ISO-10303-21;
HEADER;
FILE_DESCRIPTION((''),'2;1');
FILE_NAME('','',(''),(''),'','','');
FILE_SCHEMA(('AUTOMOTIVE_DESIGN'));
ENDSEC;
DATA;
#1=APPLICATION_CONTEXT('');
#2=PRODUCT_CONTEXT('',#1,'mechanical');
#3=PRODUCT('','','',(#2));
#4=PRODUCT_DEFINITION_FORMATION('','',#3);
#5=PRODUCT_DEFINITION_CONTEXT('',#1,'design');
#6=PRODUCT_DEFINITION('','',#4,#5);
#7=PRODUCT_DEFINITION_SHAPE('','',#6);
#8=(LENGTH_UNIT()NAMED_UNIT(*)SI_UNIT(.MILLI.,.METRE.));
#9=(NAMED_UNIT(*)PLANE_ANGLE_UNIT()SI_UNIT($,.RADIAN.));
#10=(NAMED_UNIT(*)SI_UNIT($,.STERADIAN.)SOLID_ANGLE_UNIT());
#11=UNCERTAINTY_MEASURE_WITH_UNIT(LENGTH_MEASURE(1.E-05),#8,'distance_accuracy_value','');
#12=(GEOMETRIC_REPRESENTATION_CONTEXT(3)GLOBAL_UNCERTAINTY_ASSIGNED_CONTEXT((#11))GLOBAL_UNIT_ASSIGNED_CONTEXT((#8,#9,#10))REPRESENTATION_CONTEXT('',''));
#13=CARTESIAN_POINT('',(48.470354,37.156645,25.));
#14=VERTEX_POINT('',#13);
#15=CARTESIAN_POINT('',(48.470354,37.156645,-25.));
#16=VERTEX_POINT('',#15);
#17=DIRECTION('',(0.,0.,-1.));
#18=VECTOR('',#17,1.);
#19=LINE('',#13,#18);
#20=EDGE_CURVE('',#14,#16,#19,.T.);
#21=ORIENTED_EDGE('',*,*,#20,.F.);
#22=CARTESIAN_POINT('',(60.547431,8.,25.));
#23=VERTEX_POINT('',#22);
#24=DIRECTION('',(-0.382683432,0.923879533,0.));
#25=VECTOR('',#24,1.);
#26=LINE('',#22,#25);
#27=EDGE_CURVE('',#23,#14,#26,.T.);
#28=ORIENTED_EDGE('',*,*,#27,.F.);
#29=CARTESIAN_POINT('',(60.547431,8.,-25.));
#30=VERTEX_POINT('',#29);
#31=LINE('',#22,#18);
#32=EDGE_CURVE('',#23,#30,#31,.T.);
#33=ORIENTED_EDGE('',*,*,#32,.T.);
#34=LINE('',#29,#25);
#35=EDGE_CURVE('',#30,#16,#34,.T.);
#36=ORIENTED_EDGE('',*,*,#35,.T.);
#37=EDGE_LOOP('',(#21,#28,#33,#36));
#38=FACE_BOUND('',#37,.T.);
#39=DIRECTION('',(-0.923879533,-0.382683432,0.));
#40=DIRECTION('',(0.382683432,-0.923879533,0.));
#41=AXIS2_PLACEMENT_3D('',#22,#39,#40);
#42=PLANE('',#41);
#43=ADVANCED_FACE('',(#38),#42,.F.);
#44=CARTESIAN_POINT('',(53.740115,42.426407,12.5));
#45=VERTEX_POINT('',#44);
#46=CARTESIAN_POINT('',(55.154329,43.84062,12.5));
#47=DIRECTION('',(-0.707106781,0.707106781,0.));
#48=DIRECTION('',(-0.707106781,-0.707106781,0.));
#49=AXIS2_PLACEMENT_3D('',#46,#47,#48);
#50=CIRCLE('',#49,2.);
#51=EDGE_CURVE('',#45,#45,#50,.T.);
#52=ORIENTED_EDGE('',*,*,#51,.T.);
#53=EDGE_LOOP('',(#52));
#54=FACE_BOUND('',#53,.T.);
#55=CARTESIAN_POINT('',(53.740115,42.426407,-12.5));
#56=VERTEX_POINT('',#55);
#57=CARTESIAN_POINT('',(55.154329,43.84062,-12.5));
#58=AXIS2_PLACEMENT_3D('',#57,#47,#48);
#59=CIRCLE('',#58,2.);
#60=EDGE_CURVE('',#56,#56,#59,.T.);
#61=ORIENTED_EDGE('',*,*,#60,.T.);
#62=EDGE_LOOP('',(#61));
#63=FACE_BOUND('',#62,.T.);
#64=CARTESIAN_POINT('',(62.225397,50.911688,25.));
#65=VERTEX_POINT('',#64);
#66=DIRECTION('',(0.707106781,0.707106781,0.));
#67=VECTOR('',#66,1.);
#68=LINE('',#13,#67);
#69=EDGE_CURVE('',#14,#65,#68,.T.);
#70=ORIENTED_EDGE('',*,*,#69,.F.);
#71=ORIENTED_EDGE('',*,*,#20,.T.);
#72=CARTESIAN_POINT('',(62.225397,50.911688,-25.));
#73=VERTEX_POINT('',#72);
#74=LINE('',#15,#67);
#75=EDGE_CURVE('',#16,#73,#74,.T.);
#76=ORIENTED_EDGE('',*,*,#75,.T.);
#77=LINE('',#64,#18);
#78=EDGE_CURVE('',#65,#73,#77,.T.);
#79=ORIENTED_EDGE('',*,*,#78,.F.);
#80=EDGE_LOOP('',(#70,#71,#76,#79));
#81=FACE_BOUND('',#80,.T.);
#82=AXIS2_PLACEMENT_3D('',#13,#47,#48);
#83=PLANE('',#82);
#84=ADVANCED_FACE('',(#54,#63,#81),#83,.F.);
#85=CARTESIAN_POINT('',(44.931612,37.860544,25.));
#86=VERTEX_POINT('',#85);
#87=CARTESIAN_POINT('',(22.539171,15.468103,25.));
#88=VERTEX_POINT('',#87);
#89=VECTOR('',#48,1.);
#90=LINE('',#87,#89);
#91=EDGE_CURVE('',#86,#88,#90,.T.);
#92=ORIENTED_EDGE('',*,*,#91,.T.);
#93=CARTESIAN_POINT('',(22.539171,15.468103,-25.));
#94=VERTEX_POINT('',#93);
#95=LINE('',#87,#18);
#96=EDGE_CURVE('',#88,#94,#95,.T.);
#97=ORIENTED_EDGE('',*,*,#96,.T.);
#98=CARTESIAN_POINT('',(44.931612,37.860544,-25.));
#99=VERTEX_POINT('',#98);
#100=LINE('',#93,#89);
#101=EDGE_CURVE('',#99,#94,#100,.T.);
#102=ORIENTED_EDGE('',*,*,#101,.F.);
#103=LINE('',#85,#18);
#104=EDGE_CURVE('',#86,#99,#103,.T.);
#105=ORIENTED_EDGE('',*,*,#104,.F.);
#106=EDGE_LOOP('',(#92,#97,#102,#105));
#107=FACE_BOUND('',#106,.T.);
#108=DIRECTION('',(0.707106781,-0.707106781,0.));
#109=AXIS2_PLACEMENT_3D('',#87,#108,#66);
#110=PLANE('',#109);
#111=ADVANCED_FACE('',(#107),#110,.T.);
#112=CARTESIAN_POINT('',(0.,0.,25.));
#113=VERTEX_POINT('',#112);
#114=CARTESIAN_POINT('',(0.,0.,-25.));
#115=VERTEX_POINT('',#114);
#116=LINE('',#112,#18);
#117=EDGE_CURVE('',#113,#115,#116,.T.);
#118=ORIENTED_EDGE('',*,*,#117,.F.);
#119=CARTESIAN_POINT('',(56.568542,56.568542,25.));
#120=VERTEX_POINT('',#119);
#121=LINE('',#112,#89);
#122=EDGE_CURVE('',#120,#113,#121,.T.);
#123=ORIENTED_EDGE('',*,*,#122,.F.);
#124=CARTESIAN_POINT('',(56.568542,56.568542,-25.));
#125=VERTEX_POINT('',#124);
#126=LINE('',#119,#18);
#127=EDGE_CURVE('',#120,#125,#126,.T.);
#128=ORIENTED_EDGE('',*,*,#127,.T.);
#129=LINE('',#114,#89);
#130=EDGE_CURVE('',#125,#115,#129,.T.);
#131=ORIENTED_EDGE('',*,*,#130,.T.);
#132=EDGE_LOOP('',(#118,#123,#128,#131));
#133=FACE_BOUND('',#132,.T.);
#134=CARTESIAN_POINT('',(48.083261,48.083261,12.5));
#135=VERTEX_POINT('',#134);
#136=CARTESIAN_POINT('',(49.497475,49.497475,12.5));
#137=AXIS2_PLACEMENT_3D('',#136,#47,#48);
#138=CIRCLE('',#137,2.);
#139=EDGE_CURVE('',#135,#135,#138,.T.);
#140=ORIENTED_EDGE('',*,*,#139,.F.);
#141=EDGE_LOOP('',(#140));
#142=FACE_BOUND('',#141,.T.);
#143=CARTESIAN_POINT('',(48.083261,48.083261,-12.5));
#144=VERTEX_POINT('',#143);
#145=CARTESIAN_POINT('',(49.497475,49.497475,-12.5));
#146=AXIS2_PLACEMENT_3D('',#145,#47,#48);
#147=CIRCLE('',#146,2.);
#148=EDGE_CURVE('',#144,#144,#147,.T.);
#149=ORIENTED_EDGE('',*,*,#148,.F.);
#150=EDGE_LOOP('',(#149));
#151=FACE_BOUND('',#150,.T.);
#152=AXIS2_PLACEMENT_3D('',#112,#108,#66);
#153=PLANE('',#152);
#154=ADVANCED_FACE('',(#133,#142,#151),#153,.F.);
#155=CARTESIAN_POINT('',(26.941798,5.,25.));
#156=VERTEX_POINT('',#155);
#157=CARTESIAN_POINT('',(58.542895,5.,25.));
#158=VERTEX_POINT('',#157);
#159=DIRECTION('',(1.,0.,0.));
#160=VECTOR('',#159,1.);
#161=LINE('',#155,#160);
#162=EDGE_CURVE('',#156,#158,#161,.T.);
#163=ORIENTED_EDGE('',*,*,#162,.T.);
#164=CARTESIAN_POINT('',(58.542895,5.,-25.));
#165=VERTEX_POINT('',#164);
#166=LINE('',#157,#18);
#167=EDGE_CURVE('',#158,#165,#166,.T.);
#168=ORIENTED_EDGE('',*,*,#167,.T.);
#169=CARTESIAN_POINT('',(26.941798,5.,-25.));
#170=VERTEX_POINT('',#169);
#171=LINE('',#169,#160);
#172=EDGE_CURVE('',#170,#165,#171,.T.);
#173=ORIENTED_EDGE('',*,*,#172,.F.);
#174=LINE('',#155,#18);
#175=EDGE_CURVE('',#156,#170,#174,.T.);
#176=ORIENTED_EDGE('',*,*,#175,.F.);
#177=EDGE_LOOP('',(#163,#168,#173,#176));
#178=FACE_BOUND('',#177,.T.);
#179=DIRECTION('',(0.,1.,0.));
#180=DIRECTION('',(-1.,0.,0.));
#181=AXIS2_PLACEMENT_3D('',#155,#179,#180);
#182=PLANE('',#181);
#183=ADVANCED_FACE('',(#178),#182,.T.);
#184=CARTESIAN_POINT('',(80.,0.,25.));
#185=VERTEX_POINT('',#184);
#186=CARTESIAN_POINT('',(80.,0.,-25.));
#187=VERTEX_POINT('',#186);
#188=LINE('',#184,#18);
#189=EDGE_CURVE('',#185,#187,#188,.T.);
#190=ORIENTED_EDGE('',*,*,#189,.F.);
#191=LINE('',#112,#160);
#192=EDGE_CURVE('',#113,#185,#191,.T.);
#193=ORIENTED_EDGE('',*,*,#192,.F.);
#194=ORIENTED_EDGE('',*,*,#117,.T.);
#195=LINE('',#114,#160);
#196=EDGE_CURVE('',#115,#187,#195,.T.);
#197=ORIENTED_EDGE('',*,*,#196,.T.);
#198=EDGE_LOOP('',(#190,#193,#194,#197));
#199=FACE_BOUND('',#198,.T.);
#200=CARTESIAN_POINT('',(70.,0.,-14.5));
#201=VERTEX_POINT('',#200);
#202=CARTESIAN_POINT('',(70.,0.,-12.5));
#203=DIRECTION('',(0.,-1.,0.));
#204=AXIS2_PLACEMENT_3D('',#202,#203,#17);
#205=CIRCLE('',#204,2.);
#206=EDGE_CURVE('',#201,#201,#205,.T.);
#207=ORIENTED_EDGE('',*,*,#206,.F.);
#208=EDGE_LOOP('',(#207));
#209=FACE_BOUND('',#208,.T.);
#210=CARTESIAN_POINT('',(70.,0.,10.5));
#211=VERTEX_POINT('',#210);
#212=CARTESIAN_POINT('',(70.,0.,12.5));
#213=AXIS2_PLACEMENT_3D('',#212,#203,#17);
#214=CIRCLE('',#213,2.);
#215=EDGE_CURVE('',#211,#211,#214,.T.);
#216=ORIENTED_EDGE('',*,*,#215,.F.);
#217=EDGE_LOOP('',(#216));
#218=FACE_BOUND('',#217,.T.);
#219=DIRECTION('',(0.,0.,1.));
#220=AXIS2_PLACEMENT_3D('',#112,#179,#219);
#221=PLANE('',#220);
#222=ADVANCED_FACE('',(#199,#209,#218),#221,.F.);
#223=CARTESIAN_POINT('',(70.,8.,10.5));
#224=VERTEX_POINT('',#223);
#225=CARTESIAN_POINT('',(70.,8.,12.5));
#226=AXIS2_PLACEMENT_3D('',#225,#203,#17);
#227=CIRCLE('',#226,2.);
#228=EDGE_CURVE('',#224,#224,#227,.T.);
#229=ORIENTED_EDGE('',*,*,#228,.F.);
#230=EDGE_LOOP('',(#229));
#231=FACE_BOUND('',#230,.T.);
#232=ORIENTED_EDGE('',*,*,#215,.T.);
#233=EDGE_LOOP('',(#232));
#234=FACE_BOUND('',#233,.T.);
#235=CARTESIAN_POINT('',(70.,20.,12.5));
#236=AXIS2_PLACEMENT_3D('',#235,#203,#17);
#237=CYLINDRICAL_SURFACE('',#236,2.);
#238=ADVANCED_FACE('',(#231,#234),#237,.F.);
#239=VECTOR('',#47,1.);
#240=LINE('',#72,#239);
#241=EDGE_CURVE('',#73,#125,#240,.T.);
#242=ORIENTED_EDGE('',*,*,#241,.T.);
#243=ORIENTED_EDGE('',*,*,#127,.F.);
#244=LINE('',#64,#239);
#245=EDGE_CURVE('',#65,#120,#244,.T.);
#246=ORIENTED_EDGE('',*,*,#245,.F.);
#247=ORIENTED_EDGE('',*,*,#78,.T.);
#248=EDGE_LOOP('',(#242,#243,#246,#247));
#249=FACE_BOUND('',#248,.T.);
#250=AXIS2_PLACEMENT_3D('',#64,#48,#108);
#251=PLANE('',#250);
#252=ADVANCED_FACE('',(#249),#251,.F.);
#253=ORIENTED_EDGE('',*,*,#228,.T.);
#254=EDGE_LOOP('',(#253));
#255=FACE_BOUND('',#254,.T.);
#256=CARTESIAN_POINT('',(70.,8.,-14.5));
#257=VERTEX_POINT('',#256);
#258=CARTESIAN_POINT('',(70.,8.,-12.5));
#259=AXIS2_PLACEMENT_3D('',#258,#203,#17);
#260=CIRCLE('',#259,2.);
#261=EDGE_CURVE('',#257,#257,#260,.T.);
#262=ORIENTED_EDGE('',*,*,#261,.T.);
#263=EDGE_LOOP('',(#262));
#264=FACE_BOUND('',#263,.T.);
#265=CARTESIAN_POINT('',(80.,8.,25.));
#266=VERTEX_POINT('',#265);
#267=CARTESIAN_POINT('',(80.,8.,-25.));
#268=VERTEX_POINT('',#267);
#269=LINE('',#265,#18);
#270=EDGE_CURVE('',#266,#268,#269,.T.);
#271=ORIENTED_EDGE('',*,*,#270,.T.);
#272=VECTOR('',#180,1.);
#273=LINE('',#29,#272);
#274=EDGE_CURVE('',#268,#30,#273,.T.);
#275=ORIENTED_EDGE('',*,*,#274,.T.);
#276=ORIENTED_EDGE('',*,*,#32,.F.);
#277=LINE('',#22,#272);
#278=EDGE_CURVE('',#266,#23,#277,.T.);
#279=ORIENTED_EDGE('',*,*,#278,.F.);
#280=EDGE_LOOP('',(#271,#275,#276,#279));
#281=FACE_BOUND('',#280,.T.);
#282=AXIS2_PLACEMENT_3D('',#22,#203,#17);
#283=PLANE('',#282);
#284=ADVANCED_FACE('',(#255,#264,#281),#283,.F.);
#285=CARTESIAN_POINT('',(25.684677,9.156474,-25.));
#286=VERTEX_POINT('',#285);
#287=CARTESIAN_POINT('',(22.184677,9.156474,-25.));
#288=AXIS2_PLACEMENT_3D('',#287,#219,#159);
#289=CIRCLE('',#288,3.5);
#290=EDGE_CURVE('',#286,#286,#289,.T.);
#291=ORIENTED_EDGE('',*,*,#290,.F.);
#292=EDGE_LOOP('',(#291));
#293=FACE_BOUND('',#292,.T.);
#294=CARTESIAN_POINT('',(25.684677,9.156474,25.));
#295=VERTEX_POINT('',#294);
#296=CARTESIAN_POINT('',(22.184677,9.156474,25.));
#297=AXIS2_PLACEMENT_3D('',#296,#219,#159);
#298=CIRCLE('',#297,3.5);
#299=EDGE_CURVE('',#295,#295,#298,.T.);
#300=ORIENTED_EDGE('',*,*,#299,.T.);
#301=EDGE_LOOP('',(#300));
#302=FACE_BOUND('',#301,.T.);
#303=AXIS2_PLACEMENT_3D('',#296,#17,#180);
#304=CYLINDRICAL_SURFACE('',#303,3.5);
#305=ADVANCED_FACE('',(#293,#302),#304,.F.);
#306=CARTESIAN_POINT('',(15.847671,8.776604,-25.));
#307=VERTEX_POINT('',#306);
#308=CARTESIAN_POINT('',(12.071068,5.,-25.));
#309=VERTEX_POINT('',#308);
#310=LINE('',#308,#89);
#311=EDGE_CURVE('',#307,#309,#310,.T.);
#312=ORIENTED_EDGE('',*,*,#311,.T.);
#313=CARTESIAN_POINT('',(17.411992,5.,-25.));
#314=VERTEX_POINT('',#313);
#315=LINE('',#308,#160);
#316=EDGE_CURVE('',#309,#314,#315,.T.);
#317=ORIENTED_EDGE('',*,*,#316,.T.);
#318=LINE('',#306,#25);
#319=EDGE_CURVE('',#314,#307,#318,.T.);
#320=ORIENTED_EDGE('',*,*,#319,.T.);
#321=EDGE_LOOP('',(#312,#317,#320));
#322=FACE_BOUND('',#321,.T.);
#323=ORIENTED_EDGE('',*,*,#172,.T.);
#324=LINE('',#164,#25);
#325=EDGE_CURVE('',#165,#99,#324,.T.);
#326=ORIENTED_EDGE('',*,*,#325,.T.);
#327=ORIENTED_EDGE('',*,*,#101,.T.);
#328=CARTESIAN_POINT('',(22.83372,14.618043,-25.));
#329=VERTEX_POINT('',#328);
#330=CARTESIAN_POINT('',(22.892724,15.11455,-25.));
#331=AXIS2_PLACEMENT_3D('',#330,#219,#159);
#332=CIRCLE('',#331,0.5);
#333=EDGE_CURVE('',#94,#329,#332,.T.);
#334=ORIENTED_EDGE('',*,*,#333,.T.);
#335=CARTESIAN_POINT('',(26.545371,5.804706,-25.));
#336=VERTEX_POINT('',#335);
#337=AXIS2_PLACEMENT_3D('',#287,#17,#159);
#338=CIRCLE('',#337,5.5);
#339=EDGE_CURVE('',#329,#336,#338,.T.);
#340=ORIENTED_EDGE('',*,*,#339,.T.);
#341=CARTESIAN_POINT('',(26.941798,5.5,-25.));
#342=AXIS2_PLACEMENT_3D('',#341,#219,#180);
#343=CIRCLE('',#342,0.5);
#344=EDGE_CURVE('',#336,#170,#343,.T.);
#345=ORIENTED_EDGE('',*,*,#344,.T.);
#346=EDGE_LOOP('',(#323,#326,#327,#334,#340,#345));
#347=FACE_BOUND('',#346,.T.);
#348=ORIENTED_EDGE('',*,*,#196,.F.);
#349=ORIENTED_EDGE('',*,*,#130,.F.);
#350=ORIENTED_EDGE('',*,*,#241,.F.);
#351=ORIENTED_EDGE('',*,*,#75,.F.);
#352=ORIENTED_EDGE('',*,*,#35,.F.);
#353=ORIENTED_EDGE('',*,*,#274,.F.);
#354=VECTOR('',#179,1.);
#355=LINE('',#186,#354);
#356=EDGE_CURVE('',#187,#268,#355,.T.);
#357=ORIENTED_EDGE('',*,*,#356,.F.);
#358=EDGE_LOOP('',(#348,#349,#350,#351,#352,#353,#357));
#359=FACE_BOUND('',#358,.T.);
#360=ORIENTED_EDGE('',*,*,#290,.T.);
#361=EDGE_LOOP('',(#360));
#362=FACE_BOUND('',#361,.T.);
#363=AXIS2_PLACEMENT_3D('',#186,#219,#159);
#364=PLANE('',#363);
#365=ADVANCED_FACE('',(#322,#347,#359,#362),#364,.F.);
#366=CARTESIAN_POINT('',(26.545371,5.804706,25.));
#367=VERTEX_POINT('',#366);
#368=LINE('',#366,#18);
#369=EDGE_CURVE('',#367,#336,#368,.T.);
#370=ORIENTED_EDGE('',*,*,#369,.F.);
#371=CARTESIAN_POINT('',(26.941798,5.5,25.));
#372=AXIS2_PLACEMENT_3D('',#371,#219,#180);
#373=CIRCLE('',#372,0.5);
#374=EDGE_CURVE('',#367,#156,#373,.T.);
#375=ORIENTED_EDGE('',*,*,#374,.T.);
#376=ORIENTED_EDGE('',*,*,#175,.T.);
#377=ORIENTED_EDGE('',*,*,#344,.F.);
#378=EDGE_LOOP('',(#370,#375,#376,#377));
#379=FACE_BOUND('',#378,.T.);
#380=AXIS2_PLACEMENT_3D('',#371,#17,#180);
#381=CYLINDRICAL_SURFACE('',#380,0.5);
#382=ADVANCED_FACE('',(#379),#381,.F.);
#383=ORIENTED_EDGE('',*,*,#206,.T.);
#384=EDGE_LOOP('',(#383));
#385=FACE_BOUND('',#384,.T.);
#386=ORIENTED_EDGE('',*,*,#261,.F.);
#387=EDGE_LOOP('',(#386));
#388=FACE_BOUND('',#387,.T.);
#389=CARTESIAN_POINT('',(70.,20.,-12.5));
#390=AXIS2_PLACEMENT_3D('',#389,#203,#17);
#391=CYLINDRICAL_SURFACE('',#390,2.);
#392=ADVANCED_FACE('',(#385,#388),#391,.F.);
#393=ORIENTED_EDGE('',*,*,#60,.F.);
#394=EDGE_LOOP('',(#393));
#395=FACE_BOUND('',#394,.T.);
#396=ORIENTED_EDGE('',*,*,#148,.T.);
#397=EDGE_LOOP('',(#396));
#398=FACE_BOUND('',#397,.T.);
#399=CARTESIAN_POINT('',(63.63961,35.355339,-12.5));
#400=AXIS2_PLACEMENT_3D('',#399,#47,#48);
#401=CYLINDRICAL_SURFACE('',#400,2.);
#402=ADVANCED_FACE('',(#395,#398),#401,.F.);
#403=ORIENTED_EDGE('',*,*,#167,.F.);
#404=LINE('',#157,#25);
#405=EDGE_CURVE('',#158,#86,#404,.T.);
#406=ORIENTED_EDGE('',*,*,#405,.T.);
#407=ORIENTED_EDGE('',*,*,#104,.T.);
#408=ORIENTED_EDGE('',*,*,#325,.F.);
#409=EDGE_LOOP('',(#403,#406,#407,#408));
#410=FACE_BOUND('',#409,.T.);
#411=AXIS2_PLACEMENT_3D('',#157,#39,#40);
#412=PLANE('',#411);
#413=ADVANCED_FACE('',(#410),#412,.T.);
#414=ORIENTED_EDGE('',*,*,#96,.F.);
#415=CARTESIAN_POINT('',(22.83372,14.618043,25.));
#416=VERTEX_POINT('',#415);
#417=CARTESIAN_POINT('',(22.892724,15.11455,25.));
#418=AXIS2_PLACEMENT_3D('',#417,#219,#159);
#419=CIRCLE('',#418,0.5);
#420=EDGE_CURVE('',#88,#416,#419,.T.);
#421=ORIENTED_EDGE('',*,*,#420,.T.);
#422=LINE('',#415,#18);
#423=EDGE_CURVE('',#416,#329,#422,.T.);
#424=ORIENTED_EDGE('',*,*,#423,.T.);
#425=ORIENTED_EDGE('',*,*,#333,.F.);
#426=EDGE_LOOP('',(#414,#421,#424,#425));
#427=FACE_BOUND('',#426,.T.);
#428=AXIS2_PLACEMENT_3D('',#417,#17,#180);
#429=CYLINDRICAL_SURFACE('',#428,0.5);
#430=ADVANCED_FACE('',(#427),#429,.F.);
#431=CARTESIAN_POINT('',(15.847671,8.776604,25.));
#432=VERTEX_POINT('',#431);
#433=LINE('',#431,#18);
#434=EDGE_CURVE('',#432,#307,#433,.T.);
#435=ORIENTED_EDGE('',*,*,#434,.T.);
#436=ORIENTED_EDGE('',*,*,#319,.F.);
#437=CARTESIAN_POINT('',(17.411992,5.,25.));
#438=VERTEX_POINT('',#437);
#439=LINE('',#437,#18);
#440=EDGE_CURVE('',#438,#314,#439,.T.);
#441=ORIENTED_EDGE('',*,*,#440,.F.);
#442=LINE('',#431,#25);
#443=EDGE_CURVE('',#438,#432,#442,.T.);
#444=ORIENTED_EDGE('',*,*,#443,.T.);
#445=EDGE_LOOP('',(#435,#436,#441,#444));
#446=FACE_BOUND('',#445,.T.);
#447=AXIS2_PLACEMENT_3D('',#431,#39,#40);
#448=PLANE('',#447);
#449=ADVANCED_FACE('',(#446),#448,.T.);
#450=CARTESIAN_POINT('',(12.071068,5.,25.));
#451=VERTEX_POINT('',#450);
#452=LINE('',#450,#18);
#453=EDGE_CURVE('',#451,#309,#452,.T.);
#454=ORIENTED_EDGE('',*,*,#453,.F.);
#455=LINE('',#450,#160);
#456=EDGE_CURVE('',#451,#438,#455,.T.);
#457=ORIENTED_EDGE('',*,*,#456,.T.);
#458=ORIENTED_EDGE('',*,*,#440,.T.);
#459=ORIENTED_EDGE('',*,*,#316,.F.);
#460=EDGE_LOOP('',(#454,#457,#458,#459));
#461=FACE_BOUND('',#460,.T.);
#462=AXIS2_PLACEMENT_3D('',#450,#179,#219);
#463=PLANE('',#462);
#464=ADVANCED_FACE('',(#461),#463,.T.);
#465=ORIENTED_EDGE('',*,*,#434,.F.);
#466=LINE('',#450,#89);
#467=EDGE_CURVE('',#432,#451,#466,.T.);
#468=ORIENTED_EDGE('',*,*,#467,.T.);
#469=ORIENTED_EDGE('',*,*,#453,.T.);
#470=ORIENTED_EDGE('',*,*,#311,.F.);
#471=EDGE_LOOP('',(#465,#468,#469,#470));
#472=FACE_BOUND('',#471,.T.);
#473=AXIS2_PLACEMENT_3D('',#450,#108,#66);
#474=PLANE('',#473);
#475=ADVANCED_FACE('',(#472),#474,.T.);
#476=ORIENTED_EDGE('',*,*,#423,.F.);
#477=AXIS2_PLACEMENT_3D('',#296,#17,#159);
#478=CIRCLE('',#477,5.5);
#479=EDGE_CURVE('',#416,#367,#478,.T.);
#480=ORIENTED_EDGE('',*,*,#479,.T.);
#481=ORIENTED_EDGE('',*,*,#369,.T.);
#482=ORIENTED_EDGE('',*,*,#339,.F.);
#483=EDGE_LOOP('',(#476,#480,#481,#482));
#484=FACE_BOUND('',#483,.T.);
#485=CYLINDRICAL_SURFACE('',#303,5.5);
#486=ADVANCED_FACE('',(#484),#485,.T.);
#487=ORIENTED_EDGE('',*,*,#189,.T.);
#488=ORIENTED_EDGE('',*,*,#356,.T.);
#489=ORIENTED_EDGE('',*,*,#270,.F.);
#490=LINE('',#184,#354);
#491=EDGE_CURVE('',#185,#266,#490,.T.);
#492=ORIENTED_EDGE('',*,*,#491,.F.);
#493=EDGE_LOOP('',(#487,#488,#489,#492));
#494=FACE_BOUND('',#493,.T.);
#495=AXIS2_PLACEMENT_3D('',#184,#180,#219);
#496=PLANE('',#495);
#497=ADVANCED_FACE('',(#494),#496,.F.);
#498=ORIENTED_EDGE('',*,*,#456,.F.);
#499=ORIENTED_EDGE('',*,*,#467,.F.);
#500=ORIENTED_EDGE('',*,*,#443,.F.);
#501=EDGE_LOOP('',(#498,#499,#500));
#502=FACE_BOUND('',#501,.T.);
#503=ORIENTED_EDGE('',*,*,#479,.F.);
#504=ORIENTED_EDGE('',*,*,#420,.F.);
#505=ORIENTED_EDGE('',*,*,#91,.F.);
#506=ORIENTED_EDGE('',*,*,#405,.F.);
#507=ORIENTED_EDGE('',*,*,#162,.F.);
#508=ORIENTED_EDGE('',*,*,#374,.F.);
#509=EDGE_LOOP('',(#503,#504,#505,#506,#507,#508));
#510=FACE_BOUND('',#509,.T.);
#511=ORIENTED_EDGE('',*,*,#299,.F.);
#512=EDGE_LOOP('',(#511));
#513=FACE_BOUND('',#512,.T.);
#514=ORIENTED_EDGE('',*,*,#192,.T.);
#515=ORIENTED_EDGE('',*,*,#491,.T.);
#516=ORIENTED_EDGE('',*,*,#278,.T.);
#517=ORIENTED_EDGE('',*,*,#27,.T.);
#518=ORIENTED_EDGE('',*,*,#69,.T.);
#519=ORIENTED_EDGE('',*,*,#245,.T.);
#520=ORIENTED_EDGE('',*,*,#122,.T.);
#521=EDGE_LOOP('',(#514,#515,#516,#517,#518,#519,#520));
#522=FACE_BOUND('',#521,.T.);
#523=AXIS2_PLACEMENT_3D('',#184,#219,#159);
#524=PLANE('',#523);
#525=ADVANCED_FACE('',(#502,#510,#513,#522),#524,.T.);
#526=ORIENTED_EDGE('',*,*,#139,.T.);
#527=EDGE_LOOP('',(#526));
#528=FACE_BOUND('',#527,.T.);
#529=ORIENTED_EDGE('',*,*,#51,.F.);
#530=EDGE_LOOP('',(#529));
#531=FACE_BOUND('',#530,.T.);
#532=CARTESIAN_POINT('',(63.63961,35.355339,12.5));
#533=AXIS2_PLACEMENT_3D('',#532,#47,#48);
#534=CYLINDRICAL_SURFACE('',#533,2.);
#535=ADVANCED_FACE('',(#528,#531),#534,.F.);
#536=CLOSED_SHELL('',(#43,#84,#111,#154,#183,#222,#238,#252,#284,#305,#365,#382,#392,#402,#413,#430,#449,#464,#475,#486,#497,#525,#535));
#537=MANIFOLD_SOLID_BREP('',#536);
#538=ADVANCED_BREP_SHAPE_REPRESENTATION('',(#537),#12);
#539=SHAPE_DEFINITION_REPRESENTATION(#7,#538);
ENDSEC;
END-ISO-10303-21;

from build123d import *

# Parameters (mm, degrees)
SKETCH_1_R          = 3.5
EXTRUDE_1_DEPTH     = 25
SKETCH_2_R          = 2
CUT_EXTRUDE_1_DEPTH = 20
SKETCH_3_R          = 2
CUT_EXTRUDE_2_DEPTH = 20


with BuildPart() as part:
    # 草图1 → 凸台-拉伸1 (new, symmetric)
    with BuildSketch(Plane.XY):
        Polygon((0, 0), (56.568542495, 56.568542495), (62.225396744, 50.911688245), (48.470353518, 37.156645019), (60.547431318, 8), (80, 8), (80, 0), align=None)
        with Locations((22.184677187, 9.156473773)):
            Circle(SKETCH_1_R, mode=Mode.SUBTRACT)
        Polygon((12.071067812, 5), (15.847671377, 8.776603565), (17.411991793, 5), align=None, mode=Mode.SUBTRACT)
        with BuildLine():
            Line((22.539170943, 15.468103131), (44.931612237, 37.860544425))
            Line((44.931612237, 37.860544425), (58.542895405, 5))
            Line((58.542895405, 5), (26.941798117, 5))
            ThreePointArc((26.941798117, 5), (26.493271042, 5.27903968), (26.545371373, 5.804706148))
            ThreePointArc((26.545371373, 5.804706148), (27.253512915, 11.291164467), (22.833720405, 14.61804341))
            ThreePointArc((22.833720405, 14.61804341), (22.420282519, 14.950846558), (22.539170943, 15.468103131))
        make_face(mode=Mode.SUBTRACT)
    extrude(amount=EXTRUDE_1_DEPTH, both=True)

    # 草图2 → 切除-拉伸1 (cut)
    with BuildSketch(Plane(origin=(0, 0, 0), x_dir=(0, 0, 1), z_dir=(-0.7071067811865488, 0.7071067811865464, 0))):
        with Locations(Location((-12.5, 70, 0), (0, 0, 270))):
            Circle(SKETCH_2_R)
        with Locations(Location((12.5, 70, 0), (0, 0, 270))):
            Circle(SKETCH_2_R)
    extrude(amount=-CUT_EXTRUDE_1_DEPTH, mode=Mode.SUBTRACT)

    # 草图3 → 切除-拉伸2 (cut)
    with BuildSketch(Plane.XZ):
        with Locations(Location((70, 12.5, 0), (0, 0, 270))):
            Circle(SKETCH_3_R)
        with Locations(Location((70, -12.5, 0), (0, 0, 270))):
            Circle(SKETCH_3_R)
    extrude(amount=-CUT_EXTRUDE_2_DEPTH, mode=Mode.SUBTRACT)


solid = part.part
